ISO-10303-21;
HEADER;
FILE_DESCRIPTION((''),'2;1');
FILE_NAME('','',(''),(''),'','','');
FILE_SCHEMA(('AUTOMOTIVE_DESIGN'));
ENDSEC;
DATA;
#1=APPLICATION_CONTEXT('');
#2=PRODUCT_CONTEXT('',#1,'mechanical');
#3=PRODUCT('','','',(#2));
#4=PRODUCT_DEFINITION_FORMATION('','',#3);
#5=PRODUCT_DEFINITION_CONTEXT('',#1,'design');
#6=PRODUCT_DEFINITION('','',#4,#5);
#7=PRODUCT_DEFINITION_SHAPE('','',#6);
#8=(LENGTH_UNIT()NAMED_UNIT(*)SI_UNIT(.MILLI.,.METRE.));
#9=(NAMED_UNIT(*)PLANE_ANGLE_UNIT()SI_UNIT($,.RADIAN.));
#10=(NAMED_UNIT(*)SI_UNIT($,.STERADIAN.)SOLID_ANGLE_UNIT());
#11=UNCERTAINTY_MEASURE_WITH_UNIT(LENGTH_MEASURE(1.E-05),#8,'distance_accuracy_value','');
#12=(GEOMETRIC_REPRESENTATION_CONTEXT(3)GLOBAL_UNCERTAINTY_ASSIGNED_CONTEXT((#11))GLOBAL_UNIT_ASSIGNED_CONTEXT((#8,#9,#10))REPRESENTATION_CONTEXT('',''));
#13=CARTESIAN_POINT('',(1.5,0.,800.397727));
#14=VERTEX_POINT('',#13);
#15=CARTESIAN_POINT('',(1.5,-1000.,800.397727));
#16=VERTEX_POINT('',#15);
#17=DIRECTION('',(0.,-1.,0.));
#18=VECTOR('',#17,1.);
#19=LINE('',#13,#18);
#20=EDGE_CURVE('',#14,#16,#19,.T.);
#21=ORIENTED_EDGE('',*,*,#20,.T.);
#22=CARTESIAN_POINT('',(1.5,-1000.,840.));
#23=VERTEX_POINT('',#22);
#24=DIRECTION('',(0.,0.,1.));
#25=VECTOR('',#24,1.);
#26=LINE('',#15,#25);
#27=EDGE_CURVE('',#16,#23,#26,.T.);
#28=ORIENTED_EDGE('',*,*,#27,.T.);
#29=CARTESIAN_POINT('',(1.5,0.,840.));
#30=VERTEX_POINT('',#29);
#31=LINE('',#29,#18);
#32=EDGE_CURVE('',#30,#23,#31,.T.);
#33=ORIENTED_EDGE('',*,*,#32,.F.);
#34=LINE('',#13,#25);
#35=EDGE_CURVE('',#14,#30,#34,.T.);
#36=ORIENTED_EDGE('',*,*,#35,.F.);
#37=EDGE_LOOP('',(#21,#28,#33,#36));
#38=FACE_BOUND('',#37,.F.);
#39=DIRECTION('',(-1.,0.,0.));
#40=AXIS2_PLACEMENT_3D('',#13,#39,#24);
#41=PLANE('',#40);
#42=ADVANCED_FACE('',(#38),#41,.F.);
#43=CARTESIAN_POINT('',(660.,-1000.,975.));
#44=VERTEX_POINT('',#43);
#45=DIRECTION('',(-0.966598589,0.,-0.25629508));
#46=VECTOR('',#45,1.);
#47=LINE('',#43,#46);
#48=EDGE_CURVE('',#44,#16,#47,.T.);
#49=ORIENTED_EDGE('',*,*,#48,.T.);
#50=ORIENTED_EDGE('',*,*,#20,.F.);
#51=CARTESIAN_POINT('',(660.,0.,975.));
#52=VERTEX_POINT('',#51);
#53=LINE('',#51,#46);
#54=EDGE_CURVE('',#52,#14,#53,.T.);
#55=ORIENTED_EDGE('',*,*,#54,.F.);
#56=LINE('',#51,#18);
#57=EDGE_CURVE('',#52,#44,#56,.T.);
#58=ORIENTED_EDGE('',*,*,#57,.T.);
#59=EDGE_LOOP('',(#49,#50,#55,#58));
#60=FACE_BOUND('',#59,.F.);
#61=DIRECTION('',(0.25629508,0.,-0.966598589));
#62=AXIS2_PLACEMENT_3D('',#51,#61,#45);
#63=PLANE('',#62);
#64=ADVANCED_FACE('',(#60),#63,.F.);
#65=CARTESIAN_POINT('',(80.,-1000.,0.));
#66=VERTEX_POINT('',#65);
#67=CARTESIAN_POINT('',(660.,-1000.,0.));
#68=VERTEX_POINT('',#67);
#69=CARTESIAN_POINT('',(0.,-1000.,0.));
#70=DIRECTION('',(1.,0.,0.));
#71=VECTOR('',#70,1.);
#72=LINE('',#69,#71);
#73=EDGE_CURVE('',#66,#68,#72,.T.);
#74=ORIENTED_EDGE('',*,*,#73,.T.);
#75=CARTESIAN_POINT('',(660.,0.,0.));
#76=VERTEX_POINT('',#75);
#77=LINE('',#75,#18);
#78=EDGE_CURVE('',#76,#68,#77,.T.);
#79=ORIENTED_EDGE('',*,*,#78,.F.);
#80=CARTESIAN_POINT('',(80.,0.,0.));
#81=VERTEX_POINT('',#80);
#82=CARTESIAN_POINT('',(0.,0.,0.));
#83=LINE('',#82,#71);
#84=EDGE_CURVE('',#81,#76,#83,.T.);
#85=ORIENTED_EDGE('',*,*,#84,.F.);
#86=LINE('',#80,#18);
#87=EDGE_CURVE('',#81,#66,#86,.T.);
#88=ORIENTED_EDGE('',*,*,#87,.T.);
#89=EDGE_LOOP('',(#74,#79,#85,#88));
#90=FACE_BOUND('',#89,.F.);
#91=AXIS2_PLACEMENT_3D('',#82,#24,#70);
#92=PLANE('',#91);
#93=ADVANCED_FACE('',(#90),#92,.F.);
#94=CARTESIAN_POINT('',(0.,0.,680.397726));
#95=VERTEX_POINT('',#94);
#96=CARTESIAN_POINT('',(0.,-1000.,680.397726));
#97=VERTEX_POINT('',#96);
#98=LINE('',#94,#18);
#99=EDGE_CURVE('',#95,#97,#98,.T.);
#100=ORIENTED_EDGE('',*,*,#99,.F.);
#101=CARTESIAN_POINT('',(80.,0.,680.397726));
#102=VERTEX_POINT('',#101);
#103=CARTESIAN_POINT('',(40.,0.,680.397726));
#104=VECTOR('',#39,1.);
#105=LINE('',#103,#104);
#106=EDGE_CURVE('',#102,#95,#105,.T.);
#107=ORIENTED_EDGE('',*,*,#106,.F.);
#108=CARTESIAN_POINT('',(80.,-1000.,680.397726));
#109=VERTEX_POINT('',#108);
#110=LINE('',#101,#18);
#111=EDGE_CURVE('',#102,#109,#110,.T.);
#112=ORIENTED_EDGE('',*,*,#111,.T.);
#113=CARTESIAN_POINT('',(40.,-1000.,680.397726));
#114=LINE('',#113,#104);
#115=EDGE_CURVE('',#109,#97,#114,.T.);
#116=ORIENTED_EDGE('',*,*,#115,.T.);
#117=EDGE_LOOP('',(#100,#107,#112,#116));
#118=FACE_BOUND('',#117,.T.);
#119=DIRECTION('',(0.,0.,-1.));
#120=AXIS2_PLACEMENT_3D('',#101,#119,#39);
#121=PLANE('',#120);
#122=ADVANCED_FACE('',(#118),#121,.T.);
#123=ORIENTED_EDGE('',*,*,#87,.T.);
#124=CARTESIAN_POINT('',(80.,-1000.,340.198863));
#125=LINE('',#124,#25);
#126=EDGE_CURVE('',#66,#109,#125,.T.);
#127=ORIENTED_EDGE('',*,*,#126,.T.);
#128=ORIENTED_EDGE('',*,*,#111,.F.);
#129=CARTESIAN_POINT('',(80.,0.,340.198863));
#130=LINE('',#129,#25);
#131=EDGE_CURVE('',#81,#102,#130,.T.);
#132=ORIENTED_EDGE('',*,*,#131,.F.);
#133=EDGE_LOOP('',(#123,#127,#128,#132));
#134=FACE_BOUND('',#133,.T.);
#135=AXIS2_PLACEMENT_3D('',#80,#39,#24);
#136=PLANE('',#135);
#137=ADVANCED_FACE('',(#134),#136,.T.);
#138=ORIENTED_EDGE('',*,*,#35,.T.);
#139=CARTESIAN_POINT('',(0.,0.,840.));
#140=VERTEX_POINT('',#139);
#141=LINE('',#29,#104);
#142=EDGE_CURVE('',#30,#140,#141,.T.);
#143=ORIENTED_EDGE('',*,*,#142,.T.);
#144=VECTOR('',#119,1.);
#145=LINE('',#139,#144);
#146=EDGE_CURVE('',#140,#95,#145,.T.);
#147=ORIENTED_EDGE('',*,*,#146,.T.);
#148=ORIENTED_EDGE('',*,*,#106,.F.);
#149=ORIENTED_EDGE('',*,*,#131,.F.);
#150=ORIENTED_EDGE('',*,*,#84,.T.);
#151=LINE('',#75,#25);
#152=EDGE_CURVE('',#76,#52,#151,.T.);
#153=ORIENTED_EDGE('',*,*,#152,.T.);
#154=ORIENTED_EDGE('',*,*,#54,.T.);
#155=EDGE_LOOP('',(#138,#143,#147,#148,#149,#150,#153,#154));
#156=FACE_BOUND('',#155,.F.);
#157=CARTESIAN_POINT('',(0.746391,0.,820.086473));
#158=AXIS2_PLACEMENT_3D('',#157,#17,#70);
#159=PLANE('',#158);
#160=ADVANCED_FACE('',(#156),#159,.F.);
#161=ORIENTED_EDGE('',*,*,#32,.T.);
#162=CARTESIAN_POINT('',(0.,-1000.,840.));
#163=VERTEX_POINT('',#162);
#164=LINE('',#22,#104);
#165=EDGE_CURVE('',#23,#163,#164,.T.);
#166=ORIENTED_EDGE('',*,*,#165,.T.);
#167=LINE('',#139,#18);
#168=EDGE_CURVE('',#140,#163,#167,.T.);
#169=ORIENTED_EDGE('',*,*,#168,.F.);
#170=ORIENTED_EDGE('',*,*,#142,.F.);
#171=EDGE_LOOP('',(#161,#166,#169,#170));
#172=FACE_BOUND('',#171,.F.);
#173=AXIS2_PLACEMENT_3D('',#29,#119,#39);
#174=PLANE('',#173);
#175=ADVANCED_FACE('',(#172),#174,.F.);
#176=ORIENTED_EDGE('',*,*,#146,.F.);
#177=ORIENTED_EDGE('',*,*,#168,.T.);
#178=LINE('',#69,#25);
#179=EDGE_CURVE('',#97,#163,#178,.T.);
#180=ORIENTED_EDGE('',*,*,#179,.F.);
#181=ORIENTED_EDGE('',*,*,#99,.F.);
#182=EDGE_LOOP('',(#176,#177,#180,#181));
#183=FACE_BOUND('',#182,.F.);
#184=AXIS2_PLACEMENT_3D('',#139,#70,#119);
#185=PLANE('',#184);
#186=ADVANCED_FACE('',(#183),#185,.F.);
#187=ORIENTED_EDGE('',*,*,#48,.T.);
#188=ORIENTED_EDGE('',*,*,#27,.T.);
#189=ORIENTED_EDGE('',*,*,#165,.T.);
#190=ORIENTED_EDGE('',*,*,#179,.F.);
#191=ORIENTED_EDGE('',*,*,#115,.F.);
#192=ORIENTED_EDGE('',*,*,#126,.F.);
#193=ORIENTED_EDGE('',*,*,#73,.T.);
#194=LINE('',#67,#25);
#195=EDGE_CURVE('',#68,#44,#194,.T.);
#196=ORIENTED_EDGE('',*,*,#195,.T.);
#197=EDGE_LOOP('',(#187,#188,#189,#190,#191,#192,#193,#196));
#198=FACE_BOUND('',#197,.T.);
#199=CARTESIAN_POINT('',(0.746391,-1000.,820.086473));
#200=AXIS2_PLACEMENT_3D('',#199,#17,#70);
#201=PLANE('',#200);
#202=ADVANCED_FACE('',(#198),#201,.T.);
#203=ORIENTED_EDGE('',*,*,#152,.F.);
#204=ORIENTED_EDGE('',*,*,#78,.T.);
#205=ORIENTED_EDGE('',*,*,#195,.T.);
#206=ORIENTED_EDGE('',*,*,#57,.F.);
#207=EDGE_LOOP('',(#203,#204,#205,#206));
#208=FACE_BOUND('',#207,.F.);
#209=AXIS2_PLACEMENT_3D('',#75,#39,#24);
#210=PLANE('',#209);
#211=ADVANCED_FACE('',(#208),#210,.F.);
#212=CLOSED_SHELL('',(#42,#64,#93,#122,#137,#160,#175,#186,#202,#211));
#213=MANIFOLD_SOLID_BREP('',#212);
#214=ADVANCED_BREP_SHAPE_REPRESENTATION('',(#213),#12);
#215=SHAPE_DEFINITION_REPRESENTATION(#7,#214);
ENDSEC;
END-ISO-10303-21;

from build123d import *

# Parameters (mm, degrees)
F1_DEPTH = 1000
F3_DEPTH = 1000
F4_W     = 80
F4_H     = 680.397727
F5_DEPTH = 1000


with BuildPart() as f1:
    # F0 (on Front) → F1 (new body)
    with BuildSketch(Plane.XZ):
        Polygon((0, 800), (0, 0), (660, 0), (660, 975), align=None)
    extrude(amount=F1_DEPTH)

    # F2 (on Front) → F3 (join, through all)
    with BuildSketch(Plane.XZ):
        Polygon((0, 840), (0, 800), (1.5, 800.397727), (1.5, 840), align=None)
    extrude(amount=F3_DEPTH)

    # F4 (on face) → F5 (cut, through all)
    with BuildSketch(Plane(origin=(0, 0, 0), x_dir=(-1, 0, 0), z_dir=(0, 1, 0))):
        with Locations((-40, 340.198863)):
            Rectangle(F4_W, F4_H)
    extrude(amount=-F5_DEPTH, mode=Mode.SUBTRACT)


solid = f1.part
